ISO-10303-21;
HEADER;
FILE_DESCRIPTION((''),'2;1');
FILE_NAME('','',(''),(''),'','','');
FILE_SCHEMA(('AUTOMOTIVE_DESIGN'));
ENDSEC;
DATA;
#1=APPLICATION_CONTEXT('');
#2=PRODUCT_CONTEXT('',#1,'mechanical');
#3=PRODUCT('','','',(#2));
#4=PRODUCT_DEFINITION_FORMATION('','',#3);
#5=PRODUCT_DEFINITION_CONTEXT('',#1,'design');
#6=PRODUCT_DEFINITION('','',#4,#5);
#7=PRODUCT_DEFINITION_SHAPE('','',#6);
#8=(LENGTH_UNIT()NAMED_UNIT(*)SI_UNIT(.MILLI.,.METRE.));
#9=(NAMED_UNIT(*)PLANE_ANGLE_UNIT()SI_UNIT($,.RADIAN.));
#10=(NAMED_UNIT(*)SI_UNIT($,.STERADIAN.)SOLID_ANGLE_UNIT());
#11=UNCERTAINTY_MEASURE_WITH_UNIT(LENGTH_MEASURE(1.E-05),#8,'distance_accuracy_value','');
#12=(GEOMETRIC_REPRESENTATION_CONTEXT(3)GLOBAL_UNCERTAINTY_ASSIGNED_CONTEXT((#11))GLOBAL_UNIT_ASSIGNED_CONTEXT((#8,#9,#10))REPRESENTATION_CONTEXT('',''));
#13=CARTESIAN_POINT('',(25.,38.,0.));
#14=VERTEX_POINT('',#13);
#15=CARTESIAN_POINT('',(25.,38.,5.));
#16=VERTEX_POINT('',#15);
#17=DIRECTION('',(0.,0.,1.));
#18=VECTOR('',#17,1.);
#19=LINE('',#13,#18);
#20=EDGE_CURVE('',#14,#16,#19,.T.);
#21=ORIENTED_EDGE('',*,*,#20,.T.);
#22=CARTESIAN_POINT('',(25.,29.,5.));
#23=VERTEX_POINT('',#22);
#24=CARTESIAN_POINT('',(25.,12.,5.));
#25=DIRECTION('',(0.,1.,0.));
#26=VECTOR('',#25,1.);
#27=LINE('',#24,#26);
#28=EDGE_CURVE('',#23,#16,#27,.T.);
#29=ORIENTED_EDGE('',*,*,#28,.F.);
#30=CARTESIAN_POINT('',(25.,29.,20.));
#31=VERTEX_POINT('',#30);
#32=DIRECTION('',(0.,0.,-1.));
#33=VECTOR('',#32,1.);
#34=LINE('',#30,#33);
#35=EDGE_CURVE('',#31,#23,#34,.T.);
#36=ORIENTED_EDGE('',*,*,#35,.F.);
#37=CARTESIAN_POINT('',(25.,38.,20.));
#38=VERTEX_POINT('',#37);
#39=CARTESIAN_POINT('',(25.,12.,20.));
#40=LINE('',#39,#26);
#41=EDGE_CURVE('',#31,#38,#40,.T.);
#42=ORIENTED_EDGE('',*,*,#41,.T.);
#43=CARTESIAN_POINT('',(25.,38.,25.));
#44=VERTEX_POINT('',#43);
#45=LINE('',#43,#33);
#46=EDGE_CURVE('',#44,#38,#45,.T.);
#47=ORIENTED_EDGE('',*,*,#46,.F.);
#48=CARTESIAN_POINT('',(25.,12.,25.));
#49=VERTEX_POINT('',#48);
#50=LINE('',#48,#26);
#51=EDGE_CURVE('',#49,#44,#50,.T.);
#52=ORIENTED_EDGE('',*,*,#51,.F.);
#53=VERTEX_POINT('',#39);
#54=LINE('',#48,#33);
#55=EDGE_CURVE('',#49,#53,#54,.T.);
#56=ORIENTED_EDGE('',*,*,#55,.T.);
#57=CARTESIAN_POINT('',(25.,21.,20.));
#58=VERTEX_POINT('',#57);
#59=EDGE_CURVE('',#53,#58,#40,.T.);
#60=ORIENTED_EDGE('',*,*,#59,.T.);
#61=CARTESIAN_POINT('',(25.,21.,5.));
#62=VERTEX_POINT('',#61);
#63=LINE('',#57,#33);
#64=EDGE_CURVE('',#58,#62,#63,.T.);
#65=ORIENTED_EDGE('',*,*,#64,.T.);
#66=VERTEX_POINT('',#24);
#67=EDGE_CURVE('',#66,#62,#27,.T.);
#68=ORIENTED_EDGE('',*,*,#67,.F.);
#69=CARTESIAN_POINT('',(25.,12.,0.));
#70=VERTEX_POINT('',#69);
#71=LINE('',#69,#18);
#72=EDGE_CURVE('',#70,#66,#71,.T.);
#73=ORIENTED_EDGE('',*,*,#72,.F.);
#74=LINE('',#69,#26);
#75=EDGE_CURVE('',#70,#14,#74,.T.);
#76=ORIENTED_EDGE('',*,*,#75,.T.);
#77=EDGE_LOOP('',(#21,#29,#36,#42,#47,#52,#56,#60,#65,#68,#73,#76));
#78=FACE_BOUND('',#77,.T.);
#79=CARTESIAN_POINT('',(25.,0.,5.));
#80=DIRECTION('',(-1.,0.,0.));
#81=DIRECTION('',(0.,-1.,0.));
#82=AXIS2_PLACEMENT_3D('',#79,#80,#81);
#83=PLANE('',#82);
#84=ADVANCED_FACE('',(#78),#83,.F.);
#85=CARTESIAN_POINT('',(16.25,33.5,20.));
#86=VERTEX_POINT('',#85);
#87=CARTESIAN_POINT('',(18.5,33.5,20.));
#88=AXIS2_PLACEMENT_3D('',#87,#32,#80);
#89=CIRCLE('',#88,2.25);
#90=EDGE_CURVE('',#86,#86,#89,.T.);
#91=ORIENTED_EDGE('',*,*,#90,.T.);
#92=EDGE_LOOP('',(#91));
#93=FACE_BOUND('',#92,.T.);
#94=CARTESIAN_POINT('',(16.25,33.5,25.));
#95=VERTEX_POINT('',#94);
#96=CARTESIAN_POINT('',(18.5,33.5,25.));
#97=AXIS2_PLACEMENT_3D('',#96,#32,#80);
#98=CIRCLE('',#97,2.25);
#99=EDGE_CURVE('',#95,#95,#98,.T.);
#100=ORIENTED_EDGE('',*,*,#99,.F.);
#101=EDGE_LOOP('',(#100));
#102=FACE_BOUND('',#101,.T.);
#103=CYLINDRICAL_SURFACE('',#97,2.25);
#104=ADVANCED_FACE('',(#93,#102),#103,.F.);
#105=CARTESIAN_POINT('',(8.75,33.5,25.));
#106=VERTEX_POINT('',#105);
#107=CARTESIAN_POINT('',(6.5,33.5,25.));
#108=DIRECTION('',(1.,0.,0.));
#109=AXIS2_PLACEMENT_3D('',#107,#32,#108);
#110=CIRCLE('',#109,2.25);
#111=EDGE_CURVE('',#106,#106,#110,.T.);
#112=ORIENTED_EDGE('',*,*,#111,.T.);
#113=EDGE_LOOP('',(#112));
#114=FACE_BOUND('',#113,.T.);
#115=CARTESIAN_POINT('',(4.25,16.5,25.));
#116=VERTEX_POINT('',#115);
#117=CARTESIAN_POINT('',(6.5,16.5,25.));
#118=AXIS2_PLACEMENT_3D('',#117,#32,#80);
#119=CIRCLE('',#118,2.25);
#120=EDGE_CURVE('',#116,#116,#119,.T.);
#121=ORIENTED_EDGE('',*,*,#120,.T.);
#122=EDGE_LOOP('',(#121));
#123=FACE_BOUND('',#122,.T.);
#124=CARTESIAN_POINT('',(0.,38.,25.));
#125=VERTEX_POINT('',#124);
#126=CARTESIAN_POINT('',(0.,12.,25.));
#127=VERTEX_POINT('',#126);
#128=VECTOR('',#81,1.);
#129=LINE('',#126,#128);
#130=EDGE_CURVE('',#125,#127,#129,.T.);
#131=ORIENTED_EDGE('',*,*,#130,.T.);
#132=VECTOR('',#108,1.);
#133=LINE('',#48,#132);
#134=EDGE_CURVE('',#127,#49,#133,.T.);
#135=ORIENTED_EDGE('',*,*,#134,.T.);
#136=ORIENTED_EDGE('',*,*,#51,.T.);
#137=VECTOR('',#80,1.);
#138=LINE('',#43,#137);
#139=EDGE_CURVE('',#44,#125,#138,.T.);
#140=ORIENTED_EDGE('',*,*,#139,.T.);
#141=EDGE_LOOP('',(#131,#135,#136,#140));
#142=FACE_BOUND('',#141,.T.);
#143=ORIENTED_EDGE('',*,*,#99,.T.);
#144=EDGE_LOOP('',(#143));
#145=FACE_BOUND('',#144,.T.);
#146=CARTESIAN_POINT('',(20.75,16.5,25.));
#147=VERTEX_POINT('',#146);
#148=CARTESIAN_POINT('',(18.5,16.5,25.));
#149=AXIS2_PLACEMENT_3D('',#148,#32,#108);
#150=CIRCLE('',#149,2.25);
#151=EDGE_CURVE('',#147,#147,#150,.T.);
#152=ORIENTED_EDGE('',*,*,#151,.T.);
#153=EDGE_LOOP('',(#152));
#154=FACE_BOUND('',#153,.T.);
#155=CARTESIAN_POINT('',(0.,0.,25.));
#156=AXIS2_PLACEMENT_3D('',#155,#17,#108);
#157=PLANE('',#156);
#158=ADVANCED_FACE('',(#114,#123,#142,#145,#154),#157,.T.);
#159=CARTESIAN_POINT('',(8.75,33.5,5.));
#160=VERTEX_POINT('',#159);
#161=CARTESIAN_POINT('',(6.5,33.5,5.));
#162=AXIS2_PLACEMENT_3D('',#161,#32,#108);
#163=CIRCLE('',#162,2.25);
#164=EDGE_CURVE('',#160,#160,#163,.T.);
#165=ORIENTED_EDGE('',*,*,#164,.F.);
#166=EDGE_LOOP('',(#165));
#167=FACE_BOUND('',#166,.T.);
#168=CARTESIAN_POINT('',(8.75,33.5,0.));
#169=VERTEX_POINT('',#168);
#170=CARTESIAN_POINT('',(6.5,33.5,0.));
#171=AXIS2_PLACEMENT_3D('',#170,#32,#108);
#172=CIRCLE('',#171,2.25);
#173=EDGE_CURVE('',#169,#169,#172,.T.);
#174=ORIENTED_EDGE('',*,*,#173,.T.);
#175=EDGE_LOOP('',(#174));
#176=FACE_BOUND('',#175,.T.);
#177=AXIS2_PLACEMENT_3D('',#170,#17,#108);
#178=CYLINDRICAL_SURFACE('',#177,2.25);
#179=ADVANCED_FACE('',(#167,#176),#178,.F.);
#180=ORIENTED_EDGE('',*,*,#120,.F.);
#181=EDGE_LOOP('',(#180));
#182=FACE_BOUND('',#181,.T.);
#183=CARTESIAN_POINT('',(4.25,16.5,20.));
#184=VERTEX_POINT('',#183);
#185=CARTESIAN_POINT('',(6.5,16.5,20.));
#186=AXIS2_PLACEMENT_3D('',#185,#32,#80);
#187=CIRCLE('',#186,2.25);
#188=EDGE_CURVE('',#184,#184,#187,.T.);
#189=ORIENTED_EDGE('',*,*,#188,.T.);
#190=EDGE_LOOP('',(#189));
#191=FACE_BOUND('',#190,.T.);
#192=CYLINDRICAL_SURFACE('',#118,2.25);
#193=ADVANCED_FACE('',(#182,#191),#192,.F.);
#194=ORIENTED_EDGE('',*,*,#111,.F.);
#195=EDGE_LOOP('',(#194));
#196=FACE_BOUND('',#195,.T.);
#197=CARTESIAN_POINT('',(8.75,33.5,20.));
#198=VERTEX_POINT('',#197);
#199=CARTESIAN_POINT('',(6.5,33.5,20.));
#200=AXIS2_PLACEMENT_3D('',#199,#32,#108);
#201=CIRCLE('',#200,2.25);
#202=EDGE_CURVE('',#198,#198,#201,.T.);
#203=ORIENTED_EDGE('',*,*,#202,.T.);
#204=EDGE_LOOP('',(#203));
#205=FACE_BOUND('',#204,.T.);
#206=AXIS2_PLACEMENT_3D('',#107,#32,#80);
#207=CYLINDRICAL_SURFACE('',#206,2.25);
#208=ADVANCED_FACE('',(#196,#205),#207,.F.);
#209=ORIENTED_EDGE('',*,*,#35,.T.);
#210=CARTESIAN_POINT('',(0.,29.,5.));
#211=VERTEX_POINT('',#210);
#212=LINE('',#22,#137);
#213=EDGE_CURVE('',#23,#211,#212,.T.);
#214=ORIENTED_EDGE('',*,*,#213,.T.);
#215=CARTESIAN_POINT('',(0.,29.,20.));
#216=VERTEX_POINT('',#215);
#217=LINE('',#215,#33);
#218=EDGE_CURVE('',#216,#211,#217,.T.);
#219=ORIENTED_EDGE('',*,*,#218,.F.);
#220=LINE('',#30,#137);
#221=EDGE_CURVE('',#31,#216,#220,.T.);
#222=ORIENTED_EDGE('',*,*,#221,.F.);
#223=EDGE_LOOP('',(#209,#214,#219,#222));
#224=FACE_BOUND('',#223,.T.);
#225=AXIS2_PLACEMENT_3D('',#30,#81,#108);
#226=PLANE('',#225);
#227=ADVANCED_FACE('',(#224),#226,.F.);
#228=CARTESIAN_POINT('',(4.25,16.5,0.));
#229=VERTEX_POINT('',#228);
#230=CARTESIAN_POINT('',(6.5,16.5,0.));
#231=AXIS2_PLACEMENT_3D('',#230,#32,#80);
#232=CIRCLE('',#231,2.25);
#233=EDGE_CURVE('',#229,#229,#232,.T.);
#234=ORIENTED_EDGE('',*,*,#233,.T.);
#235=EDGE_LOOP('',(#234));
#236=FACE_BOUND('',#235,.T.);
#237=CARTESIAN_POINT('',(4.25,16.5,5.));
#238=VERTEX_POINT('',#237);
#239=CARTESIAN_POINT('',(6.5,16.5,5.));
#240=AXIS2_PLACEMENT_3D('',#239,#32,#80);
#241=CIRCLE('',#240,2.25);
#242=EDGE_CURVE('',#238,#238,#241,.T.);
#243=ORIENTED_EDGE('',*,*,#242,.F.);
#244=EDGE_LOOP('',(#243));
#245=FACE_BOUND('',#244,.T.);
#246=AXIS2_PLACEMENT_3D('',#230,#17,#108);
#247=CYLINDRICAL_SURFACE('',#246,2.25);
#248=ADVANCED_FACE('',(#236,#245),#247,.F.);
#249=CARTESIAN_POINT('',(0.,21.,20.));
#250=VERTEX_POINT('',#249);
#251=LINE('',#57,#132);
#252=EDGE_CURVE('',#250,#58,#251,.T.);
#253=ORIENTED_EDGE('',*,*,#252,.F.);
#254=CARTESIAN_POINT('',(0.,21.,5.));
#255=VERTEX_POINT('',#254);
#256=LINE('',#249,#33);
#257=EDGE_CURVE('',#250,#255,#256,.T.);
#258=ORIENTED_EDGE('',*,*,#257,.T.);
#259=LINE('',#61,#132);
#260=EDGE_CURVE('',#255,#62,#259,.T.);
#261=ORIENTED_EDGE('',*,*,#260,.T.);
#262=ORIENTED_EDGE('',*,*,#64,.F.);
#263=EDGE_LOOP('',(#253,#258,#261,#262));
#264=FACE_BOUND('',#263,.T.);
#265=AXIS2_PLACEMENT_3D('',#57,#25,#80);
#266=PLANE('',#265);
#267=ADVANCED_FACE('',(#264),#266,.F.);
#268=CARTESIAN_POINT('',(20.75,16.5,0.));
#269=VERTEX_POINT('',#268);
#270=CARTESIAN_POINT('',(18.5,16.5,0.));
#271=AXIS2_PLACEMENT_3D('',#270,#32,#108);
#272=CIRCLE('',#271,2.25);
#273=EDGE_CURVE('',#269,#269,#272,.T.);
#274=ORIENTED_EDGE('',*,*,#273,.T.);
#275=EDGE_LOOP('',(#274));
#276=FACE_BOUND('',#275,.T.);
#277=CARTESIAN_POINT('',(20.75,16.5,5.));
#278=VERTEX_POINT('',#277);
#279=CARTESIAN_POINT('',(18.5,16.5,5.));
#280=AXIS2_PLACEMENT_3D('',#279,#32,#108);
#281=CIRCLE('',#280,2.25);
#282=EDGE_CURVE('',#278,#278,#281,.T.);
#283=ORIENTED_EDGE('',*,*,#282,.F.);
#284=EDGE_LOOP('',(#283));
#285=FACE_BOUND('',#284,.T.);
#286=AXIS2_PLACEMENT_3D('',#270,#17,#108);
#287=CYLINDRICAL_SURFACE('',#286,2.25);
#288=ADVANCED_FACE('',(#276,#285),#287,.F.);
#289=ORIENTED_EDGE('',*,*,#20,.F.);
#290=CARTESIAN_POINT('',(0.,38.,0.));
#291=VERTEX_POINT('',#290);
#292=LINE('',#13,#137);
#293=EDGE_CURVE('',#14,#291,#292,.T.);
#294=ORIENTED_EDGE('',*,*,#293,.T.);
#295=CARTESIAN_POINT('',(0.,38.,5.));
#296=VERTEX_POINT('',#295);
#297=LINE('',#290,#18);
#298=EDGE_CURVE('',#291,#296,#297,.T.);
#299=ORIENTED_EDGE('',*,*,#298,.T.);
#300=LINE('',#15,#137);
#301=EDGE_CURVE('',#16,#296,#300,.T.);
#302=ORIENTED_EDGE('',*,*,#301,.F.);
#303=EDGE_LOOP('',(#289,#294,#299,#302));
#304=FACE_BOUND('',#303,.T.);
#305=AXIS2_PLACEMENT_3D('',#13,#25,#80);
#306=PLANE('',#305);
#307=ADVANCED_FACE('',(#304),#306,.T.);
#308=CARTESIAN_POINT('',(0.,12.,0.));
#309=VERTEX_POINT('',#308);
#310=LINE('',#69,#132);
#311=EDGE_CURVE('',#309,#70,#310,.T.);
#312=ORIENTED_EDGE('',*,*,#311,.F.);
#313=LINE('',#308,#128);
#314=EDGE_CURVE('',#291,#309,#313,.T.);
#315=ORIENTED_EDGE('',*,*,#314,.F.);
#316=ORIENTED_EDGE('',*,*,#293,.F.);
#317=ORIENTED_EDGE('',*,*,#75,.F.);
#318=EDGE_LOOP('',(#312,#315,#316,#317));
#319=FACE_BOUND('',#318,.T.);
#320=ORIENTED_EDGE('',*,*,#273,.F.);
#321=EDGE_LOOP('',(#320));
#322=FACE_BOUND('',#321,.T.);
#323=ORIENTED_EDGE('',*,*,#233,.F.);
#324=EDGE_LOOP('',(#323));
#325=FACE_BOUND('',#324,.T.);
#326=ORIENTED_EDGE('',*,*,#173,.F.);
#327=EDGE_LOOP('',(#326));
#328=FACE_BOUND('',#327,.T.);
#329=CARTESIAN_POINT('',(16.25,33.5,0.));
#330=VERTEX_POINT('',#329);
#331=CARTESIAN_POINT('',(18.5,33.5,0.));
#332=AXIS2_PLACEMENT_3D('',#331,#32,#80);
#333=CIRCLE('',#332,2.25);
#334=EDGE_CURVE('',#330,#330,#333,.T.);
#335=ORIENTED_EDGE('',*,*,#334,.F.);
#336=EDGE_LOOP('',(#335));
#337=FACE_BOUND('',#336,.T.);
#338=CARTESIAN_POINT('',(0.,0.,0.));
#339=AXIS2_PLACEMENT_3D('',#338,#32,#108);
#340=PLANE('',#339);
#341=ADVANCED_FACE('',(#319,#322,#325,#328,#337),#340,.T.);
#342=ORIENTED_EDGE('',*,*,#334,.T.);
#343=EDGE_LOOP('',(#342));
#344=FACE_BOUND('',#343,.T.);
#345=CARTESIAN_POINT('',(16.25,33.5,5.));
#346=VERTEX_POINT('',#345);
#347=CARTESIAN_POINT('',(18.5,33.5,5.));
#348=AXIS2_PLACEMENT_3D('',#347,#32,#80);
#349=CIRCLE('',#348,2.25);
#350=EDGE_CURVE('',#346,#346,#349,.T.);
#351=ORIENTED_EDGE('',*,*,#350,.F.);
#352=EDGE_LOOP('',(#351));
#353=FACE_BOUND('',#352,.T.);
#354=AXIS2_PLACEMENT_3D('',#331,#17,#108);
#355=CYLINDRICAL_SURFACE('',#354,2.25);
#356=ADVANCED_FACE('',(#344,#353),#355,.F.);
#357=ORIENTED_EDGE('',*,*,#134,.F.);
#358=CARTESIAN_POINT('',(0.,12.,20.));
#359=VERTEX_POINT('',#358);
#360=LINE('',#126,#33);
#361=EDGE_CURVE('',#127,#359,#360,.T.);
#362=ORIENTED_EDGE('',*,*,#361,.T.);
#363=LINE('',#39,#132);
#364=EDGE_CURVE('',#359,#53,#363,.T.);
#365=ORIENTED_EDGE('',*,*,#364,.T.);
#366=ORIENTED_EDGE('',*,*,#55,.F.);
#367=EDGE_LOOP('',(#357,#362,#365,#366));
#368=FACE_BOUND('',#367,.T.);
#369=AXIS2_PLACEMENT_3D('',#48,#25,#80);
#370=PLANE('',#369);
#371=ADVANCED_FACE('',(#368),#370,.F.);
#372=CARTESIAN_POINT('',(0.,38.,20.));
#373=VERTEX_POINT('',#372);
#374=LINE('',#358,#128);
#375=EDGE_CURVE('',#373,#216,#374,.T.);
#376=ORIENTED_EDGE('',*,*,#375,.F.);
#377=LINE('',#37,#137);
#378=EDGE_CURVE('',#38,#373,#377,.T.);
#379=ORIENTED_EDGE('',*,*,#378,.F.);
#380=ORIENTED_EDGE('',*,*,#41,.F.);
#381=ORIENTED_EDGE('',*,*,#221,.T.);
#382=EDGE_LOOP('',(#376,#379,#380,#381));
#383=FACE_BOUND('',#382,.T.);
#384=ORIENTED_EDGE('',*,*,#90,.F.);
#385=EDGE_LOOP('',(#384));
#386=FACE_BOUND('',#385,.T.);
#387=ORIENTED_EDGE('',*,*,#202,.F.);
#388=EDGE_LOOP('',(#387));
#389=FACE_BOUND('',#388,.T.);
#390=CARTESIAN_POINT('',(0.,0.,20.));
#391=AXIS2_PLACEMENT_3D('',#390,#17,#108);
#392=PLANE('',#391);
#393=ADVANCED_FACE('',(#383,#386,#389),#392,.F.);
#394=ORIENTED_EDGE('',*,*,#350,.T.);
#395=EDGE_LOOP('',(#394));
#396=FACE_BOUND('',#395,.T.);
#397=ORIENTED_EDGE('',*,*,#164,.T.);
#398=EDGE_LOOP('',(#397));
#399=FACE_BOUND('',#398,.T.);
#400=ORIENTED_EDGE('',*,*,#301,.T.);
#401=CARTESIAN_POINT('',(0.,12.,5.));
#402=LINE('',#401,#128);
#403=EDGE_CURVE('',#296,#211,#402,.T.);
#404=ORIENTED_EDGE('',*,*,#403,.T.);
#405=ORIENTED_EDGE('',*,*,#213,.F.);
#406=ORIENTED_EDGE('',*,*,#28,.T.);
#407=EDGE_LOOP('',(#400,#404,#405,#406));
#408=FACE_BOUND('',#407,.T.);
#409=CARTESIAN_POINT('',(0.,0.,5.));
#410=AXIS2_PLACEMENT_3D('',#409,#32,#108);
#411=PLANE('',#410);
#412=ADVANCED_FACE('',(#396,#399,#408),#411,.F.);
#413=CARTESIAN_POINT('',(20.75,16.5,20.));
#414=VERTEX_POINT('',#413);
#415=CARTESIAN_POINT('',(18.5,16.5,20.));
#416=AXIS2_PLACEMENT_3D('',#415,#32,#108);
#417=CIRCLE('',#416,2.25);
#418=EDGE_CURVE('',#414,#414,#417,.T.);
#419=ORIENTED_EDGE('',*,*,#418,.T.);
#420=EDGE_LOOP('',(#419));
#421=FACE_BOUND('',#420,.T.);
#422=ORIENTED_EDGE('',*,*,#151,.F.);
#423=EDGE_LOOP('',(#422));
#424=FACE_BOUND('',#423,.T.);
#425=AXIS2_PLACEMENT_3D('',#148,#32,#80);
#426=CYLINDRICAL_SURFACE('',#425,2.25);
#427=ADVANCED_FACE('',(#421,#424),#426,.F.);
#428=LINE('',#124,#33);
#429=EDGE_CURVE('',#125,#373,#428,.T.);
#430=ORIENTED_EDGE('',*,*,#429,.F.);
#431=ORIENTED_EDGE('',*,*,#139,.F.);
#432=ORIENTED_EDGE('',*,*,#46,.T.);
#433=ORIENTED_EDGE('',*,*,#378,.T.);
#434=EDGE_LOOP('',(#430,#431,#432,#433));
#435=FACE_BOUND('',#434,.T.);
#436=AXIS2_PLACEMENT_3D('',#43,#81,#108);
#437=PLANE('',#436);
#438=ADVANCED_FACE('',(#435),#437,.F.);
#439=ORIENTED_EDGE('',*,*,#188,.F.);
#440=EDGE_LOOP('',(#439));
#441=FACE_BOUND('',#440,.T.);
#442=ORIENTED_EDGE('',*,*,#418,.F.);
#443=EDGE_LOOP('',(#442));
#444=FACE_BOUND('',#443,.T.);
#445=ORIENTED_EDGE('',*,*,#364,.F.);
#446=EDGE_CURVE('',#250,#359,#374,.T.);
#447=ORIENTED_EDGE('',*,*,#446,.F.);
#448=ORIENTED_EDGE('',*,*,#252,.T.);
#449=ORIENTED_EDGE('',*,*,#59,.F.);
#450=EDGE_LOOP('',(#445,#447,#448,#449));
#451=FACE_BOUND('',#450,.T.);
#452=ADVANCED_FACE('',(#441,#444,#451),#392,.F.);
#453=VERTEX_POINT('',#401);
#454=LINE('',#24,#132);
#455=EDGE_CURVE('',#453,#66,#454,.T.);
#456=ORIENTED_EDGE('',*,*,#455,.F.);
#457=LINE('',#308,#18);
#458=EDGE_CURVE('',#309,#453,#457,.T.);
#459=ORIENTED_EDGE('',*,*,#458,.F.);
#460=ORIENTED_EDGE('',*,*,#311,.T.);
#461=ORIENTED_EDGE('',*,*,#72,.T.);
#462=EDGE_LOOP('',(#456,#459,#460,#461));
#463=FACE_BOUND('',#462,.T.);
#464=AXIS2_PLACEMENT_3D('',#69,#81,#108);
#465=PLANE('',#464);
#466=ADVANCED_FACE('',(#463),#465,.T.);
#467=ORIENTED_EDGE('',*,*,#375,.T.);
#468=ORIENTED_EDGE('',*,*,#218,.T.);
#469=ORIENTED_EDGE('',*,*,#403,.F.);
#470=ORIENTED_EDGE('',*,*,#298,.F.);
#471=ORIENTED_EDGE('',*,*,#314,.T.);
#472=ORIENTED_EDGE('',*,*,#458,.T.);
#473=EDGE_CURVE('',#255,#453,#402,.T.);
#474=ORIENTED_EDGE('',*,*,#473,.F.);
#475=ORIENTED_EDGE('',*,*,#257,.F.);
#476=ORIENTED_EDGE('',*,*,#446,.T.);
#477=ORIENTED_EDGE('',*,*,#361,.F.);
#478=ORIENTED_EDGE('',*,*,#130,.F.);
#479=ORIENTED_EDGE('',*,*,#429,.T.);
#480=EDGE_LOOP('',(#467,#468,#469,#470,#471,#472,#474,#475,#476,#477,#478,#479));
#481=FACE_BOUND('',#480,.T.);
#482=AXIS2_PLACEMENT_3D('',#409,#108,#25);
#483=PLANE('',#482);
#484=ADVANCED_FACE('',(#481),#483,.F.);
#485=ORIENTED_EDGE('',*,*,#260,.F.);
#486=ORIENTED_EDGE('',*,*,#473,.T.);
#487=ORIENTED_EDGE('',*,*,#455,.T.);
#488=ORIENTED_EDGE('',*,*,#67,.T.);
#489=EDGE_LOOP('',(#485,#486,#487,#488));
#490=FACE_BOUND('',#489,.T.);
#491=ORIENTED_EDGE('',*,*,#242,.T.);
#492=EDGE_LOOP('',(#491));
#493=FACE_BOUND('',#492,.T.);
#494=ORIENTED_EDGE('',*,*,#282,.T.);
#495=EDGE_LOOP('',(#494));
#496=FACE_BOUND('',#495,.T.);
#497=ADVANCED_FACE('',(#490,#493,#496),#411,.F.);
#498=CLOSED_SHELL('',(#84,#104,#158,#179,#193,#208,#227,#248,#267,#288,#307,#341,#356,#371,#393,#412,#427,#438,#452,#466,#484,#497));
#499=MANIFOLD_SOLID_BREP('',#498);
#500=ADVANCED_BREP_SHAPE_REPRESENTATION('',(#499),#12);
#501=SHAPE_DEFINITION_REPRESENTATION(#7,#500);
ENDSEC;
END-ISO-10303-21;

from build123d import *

# Parameters (mm, degrees)
SKETCH_1_W          = 25
SKETCH_1_H          = 50
EXTRUDE_1_DEPTH     = 5
SKETCH_2_R          = 2.25
CUT_EXTRUDE_1_DEPTH = 20
SKETCH_3_W          = 25
SKETCH_3_H          = 8
EXTRUDE_2_DEPTH     = 15
SKETCH_4_W          = 25
SKETCH_4_H          = 26
EXTRUDE_3_DEPTH     = 5
SKETCH_5_R          = 2.25
CUT_EXTRUDE_2_DEPTH = 5
SKETCH_6_W          = 25
SKETCH_6_H          = 50
CUT_EXTRUDE_3_DEPTH = 5


with BuildPart() as part:
    # 草图1 → 凸台-拉伸1 (new body)
    with BuildSketch(Plane.XY):
        with Locations((12.5, 25)):
            Rectangle(SKETCH_1_W, SKETCH_1_H)
    extrude(amount=EXTRUDE_1_DEPTH)

    # 草图2 → 切除-拉伸1 (cut)
    with BuildSketch(Plane.XY.offset(5)):
        with Locations((12.5, 7.5)):
            Circle(SKETCH_2_R)
        with Locations((12.5, 42.5)):
            Circle(SKETCH_2_R)
    extrude(amount=-CUT_EXTRUDE_1_DEPTH, mode=Mode.SUBTRACT)

    # 草图3 → 凸台-拉伸2 (add)
    with BuildSketch(Plane.XY.offset(5)):
        with Locations((12.5, 25)):
            Rectangle(SKETCH_3_W, SKETCH_3_H)
    extrude(amount=EXTRUDE_2_DEPTH)

    # 草图4 → 凸台-拉伸3 (add)
    with BuildSketch(Plane.XY.offset(20)):
        with Locations((12.5, 25)):
            Rectangle(SKETCH_4_W, SKETCH_4_H)
    extrude_3 = extrude(amount=EXTRUDE_3_DEPTH)

    # 草图5 → 切除-拉伸2 (cut)
    with BuildSketch(Plane(origin=(0, 0, 20), x_dir=(-1, 0, 0), z_dir=(0, 0, -1))):
        with Locations((-18.5, 33.5)):
            Circle(SKETCH_5_R)
        with Locations((-6.5, 33.5)):
            Circle(SKETCH_5_R)
        with Locations((-6.5, 16.5)):
            Circle(SKETCH_5_R)
        with Locations((-18.5, 16.5)):
            Circle(SKETCH_5_R)
    cut_extrude_2 = extrude(amount=-CUT_EXTRUDE_2_DEPTH, mode=Mode.SUBTRACT)

    # 草图6 → 切除-拉伸3 (cut)
    with BuildSketch(Plane(origin=(0, 0, 0), x_dir=(-1, 0, 0), z_dir=(0, 0, -1))):
        with Locations((-12.5, 25)):
            Rectangle(SKETCH_6_W, SKETCH_6_H)
    extrude(amount=-CUT_EXTRUDE_3_DEPTH, mode=Mode.SUBTRACT)

    # 镜向1: 凸台-拉伸3, 切除-拉伸2 across plane
    add(extrude_3.mirror(Plane(origin=(0, 0, 12.5), x_dir=(1, 0, 0), z_dir=(0, 0, -1))))
    add(cut_extrude_2.mirror(Plane(origin=(0, 0, 12.5), x_dir=(1, 0, 0), z_dir=(0, 0, -1))), mode=Mode.SUBTRACT)


solid = part.part
